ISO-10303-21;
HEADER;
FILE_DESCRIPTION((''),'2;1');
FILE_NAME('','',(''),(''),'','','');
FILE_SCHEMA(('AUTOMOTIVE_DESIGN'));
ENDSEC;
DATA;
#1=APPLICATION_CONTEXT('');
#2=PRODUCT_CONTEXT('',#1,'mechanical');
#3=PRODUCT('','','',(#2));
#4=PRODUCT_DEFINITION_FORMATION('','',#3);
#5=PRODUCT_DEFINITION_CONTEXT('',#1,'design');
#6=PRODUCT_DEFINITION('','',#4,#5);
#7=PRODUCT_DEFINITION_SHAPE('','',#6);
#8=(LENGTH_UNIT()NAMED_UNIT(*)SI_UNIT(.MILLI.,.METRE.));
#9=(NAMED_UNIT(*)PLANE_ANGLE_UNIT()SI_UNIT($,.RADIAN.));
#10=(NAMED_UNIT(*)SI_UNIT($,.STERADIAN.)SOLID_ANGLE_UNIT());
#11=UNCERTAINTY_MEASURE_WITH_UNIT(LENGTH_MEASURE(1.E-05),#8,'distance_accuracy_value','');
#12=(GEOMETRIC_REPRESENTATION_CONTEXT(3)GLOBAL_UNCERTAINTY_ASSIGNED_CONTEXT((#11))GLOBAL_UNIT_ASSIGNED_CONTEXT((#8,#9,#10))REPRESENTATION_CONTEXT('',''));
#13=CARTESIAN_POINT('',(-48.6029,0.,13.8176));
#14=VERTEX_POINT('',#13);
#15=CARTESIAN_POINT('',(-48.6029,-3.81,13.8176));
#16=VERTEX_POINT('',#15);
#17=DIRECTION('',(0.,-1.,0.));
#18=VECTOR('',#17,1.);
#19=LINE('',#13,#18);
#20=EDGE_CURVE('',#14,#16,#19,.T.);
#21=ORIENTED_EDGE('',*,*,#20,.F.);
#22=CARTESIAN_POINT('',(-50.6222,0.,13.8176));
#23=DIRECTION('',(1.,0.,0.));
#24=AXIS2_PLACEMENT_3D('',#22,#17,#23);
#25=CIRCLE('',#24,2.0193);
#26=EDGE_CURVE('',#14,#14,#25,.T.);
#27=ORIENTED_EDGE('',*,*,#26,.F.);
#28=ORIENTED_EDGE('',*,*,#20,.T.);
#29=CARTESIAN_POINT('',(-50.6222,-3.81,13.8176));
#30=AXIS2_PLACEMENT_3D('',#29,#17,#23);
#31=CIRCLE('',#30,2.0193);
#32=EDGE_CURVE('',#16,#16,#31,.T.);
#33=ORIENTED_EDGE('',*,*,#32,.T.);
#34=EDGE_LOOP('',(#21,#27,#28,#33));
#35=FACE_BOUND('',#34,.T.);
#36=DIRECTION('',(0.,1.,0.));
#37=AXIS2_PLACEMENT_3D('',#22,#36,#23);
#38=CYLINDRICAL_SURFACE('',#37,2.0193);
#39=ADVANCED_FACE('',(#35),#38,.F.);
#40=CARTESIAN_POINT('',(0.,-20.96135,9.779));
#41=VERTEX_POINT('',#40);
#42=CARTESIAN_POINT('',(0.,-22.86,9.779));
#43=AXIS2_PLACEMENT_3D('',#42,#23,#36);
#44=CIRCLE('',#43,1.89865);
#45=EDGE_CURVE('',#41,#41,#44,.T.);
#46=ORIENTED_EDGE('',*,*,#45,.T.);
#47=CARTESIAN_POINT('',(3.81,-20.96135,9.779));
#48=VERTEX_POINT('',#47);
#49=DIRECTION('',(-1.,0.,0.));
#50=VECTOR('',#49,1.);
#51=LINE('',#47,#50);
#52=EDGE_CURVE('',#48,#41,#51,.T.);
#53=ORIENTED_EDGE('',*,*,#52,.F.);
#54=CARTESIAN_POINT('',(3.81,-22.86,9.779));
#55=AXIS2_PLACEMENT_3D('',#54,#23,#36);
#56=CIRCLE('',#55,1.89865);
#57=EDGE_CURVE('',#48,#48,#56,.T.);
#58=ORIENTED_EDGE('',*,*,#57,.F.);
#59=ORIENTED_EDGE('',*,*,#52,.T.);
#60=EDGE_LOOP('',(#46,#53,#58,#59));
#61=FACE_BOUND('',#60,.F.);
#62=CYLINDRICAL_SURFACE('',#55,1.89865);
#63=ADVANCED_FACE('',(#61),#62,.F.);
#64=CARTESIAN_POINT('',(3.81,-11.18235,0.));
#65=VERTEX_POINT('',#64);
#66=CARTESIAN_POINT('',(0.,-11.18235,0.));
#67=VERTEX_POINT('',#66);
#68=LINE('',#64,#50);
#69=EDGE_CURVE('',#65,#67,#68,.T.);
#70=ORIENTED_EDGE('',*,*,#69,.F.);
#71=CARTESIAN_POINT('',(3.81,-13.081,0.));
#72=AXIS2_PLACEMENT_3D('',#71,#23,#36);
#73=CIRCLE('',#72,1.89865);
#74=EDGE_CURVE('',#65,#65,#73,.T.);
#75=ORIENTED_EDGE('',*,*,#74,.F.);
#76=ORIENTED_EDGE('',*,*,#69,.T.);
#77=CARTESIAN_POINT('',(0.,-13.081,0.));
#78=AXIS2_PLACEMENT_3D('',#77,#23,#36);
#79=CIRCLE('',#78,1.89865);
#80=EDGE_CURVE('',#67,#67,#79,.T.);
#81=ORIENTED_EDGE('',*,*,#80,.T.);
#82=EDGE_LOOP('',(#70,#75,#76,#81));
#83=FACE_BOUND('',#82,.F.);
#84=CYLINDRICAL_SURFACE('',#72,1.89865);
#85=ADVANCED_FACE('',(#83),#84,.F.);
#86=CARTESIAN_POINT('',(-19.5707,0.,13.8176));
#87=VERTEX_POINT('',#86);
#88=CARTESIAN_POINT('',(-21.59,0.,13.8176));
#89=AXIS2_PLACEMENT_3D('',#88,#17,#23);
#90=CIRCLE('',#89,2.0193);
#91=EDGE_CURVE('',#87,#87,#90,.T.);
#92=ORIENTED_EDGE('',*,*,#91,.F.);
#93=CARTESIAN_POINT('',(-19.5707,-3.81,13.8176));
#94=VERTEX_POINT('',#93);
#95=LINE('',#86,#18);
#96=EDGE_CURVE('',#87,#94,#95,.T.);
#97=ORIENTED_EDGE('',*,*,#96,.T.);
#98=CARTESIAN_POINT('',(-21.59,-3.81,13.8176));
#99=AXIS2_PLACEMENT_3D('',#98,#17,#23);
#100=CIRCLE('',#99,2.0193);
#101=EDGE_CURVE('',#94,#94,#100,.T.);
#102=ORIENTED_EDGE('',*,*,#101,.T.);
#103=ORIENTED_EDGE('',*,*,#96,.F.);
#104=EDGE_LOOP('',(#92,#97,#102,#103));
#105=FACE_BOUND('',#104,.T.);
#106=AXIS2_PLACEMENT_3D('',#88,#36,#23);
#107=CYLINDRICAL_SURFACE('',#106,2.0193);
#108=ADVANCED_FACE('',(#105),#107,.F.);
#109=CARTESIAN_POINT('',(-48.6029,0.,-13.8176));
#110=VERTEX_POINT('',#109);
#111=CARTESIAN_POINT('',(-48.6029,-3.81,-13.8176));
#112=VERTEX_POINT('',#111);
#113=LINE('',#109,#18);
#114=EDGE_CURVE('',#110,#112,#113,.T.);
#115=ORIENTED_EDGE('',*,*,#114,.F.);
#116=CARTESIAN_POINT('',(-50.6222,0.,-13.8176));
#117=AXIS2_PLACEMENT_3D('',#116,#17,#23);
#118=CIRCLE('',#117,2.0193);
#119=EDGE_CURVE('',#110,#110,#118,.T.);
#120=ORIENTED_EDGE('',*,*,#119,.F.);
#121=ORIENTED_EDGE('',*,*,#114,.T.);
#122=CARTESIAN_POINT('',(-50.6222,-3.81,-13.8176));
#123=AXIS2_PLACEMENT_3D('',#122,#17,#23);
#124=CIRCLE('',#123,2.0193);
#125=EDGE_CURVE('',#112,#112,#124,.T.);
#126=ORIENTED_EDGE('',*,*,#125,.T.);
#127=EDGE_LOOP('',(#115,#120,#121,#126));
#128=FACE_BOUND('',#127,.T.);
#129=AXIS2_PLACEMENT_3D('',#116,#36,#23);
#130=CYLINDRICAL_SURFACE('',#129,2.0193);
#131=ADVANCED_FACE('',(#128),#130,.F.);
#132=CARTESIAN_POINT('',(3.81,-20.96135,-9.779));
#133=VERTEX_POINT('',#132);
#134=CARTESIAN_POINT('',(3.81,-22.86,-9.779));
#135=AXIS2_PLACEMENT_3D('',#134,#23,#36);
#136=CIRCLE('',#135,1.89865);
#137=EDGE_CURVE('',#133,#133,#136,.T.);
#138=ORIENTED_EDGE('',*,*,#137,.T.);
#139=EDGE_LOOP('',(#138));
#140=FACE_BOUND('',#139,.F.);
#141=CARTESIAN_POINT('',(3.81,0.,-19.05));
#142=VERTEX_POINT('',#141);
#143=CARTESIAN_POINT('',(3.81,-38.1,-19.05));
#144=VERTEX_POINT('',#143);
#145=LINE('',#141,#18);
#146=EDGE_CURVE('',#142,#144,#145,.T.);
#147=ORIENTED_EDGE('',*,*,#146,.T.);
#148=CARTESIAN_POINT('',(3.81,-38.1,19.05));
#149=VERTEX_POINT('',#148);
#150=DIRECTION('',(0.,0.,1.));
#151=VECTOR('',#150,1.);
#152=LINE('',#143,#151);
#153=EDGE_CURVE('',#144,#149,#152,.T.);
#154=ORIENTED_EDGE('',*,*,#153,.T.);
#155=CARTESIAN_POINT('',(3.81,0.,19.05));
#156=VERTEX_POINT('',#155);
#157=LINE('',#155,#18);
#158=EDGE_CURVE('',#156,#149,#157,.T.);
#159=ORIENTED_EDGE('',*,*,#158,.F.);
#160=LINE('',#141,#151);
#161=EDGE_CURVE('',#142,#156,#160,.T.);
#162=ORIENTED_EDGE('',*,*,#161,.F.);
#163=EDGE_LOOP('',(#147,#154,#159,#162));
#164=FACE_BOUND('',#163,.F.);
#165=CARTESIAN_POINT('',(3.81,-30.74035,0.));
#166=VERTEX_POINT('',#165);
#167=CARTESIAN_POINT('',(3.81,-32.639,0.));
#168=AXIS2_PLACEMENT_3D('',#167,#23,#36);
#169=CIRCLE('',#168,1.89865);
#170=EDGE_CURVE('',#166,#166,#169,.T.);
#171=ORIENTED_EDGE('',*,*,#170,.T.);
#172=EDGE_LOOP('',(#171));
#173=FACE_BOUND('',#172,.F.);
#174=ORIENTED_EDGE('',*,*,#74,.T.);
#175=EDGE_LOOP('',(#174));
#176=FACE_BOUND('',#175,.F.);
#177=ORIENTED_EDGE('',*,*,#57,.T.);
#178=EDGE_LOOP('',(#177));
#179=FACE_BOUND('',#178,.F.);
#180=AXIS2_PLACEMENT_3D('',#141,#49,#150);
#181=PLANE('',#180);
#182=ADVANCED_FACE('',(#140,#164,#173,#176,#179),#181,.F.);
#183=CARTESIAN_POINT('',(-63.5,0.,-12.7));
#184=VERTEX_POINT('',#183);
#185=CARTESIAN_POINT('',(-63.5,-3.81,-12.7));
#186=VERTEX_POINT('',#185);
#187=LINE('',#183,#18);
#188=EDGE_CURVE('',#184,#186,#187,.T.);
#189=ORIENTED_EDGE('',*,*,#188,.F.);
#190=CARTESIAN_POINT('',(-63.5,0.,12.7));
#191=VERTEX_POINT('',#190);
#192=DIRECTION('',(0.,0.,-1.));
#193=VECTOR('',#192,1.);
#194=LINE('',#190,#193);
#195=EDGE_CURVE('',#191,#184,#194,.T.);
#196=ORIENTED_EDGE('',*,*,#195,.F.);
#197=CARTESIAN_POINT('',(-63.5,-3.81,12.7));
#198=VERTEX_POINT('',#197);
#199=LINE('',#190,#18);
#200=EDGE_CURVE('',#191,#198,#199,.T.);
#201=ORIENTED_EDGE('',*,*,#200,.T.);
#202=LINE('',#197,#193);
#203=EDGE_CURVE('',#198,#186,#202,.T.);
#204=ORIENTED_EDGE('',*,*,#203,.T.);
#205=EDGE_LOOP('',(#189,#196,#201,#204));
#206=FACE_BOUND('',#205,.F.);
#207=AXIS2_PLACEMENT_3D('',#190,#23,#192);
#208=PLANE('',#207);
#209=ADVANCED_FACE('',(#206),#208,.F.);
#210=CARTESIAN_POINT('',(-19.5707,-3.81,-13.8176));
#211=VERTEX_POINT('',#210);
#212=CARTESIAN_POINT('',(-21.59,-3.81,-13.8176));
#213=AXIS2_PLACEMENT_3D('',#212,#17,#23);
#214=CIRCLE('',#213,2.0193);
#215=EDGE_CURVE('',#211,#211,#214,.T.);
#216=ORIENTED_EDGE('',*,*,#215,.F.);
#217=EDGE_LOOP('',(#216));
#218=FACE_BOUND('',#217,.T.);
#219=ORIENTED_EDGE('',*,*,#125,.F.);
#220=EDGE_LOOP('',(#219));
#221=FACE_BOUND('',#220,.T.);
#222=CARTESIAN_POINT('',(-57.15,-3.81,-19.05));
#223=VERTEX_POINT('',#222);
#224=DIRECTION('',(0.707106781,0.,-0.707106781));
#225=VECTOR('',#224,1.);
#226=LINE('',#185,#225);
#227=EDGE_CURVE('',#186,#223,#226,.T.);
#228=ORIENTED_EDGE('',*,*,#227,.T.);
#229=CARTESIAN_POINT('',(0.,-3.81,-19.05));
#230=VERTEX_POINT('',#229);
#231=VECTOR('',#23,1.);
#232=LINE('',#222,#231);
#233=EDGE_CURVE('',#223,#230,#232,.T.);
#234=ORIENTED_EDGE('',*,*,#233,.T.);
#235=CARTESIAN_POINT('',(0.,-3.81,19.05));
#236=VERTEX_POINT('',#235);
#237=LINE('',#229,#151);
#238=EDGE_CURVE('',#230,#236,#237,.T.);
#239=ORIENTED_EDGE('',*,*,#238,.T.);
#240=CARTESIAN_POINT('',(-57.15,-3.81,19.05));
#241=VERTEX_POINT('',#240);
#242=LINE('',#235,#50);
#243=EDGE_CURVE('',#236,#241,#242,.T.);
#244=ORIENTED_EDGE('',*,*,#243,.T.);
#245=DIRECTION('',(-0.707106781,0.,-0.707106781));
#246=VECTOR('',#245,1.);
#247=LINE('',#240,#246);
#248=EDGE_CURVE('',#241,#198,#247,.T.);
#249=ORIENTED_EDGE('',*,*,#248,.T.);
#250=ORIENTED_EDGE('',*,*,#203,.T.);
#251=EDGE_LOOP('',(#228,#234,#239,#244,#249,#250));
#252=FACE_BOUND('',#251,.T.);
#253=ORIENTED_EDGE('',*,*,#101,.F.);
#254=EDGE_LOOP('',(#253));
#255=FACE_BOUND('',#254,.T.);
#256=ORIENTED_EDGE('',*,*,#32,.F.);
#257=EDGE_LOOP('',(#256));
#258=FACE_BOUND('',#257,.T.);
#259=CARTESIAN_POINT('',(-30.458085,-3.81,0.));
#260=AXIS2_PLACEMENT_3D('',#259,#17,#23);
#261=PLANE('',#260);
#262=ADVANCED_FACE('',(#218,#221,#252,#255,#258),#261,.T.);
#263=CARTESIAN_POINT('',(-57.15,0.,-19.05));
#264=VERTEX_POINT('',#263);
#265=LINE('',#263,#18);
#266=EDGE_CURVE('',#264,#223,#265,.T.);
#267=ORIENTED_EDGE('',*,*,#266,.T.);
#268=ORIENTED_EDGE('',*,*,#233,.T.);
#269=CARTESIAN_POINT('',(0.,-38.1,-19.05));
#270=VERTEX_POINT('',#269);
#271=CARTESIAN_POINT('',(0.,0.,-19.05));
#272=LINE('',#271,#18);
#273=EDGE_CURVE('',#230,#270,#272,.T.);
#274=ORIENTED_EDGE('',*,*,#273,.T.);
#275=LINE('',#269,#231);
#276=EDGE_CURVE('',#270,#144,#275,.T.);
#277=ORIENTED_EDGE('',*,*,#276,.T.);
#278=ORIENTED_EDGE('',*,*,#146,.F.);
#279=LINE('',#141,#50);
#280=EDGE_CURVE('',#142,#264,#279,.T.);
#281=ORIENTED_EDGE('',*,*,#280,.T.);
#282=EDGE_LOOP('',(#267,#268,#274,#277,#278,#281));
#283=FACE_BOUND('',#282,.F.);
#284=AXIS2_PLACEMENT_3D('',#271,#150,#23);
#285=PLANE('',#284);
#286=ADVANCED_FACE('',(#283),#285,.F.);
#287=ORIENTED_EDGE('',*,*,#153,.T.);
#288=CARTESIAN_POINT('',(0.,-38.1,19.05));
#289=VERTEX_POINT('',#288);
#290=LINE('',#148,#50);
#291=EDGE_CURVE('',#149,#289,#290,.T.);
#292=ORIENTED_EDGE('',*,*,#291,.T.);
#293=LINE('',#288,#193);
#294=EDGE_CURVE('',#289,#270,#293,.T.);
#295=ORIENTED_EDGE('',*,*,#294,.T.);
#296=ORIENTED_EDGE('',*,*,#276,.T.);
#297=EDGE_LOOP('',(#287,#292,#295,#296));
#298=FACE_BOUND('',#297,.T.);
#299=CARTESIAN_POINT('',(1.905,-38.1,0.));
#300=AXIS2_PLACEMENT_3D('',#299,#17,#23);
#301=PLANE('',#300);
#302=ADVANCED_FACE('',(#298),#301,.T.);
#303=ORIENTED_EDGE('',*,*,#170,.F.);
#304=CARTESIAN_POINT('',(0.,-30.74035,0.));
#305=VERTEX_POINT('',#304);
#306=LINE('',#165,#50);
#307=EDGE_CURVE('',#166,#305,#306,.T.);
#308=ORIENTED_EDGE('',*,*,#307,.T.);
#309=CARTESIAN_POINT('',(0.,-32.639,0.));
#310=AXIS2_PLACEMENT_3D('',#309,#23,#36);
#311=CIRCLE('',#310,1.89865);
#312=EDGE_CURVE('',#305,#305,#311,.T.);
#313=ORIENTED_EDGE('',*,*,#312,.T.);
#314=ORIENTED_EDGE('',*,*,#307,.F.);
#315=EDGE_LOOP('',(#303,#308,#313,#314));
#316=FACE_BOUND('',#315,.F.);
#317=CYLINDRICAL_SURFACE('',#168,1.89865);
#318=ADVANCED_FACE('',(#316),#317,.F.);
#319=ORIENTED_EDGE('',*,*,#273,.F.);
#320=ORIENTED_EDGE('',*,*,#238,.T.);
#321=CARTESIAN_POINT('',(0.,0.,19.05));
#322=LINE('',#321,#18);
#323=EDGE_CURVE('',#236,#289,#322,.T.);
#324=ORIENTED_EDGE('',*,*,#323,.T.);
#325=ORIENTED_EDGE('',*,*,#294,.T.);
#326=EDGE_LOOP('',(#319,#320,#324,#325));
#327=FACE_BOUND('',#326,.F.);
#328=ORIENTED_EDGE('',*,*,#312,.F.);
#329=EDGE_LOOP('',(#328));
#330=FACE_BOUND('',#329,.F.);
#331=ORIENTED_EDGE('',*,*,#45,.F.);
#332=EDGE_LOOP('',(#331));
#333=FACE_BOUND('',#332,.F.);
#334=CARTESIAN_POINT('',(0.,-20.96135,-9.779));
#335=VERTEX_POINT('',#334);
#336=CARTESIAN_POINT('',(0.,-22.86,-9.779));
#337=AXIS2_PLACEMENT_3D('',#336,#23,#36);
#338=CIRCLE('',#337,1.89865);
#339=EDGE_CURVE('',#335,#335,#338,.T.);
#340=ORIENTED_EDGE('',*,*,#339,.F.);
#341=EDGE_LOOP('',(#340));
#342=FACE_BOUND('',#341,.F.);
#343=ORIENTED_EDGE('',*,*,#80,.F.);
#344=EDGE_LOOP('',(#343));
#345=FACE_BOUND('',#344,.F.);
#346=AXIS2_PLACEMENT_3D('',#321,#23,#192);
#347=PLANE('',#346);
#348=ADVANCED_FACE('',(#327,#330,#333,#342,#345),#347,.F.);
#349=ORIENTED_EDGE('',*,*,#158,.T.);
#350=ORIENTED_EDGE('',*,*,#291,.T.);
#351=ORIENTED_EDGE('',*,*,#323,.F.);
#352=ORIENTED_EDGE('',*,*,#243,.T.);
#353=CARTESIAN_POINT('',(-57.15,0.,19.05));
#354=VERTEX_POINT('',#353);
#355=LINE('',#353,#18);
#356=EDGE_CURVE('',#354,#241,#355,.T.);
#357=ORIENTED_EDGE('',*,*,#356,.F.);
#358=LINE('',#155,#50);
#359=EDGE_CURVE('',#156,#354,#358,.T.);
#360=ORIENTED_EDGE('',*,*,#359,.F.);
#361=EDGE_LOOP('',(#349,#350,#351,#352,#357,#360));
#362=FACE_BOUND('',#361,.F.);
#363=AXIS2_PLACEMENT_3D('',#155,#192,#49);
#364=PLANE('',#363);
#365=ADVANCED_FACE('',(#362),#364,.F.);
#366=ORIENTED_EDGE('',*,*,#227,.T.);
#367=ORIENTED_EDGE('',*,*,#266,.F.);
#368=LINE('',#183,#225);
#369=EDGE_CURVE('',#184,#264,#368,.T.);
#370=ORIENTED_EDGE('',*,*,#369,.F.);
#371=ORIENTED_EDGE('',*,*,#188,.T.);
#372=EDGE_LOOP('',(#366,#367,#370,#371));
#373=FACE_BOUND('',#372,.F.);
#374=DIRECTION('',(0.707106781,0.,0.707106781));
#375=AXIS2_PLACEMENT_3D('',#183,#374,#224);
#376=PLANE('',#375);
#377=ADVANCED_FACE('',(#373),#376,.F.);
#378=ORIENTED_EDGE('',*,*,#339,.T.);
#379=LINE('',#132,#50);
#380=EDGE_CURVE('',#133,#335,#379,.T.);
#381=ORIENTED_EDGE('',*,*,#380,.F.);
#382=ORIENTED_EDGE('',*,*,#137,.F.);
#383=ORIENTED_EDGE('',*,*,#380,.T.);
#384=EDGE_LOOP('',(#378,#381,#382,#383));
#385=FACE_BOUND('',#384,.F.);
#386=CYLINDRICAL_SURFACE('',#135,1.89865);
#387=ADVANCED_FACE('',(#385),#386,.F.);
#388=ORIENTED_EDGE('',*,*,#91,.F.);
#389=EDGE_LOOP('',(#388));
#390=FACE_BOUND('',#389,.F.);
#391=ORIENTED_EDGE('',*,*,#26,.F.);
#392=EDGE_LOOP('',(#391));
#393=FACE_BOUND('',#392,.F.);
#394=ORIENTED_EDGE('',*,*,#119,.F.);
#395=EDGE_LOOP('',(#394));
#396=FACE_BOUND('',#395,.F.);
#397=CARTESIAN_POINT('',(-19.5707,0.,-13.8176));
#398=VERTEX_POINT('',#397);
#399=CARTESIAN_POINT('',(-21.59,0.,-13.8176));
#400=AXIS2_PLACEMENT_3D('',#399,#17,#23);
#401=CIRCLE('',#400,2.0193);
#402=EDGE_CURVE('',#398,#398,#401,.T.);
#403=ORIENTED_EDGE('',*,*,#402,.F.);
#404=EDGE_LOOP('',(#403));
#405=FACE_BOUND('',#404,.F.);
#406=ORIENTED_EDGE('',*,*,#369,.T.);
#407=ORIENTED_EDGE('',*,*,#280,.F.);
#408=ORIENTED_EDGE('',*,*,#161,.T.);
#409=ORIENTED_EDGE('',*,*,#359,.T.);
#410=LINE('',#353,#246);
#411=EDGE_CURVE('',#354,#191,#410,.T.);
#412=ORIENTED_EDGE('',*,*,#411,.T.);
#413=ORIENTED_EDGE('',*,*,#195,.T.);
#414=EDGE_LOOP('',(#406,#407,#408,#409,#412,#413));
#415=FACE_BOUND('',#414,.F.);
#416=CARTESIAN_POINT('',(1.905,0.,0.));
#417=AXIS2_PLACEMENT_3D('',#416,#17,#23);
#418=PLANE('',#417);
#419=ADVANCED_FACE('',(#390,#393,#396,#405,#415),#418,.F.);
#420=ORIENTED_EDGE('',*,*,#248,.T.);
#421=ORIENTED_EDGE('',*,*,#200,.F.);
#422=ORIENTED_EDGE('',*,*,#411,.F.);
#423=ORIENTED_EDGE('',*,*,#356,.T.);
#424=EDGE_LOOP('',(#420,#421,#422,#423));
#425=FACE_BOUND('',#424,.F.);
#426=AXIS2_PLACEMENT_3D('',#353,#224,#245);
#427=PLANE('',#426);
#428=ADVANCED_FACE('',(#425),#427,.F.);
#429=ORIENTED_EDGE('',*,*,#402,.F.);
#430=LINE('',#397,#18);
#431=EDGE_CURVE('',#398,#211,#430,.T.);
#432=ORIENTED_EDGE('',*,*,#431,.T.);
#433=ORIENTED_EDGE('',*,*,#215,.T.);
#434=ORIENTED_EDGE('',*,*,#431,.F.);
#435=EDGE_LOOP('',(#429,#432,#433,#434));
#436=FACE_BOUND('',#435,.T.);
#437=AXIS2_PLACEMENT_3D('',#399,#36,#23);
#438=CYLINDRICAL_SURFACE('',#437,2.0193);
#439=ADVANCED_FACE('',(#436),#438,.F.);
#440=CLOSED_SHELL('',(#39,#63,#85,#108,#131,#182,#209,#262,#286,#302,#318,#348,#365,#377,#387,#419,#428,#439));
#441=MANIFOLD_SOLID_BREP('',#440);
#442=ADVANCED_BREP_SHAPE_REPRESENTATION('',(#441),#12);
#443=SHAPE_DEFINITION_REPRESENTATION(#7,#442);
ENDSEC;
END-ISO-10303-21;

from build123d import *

# Parameters (mm, degrees)
F0_R     = 2.0193
F1_DEPTH = 3.81
F2_DEPTH = 38.1
F3_R     = 1.89865
F4_DEPTH = 67.311


with BuildPart() as f1:
    # F0 (on Front) → F1 (new body)
    with BuildSketch(Plane.XZ):
        Polygon((0, 0), (0, 19.05), (-57.15, 19.05), (-63.5, 12.7), (-63.5, 0), (-63.5, -12.7), (-57.15, -19.05), (0, -19.05), align=None)
        with Locations((-50.6222, -13.8176)):
            Circle(F0_R, mode=Mode.SUBTRACT)
        with Locations((-21.59, -13.8176)):
            Circle(F0_R, mode=Mode.SUBTRACT)
        with Locations((-50.6222, 13.8176)):
            Circle(F0_R, mode=Mode.SUBTRACT)
        with Locations((-21.59, 13.8176)):
            Circle(F0_R, mode=Mode.SUBTRACT)
    extrude(amount=F1_DEPTH)

    # F0 (on Front) → F2 (join)
    with BuildSketch(Plane.XZ):
        Polygon((3.81, 19.05), (0, 19.05), (0, 0), (0, -19.05), (3.81, -19.05), (3.81, 0), align=None)
    extrude(amount=F2_DEPTH)

    # F3 (on face) → F4 (cut, through all)
    with BuildSketch(Plane.YZ.offset(3.81)):
        with Locations((-22.86, 9.779)):
            Circle(F3_R)
        with Locations((-22.86, -9.779)):
            Circle(F3_R)
        with Locations((-32.639, 0)):
            Circle(F3_R)
        with Locations((-13.081, 0)):
            Circle(F3_R)
    extrude(amount=-F4_DEPTH, mode=Mode.SUBTRACT)


solid = f1.part
